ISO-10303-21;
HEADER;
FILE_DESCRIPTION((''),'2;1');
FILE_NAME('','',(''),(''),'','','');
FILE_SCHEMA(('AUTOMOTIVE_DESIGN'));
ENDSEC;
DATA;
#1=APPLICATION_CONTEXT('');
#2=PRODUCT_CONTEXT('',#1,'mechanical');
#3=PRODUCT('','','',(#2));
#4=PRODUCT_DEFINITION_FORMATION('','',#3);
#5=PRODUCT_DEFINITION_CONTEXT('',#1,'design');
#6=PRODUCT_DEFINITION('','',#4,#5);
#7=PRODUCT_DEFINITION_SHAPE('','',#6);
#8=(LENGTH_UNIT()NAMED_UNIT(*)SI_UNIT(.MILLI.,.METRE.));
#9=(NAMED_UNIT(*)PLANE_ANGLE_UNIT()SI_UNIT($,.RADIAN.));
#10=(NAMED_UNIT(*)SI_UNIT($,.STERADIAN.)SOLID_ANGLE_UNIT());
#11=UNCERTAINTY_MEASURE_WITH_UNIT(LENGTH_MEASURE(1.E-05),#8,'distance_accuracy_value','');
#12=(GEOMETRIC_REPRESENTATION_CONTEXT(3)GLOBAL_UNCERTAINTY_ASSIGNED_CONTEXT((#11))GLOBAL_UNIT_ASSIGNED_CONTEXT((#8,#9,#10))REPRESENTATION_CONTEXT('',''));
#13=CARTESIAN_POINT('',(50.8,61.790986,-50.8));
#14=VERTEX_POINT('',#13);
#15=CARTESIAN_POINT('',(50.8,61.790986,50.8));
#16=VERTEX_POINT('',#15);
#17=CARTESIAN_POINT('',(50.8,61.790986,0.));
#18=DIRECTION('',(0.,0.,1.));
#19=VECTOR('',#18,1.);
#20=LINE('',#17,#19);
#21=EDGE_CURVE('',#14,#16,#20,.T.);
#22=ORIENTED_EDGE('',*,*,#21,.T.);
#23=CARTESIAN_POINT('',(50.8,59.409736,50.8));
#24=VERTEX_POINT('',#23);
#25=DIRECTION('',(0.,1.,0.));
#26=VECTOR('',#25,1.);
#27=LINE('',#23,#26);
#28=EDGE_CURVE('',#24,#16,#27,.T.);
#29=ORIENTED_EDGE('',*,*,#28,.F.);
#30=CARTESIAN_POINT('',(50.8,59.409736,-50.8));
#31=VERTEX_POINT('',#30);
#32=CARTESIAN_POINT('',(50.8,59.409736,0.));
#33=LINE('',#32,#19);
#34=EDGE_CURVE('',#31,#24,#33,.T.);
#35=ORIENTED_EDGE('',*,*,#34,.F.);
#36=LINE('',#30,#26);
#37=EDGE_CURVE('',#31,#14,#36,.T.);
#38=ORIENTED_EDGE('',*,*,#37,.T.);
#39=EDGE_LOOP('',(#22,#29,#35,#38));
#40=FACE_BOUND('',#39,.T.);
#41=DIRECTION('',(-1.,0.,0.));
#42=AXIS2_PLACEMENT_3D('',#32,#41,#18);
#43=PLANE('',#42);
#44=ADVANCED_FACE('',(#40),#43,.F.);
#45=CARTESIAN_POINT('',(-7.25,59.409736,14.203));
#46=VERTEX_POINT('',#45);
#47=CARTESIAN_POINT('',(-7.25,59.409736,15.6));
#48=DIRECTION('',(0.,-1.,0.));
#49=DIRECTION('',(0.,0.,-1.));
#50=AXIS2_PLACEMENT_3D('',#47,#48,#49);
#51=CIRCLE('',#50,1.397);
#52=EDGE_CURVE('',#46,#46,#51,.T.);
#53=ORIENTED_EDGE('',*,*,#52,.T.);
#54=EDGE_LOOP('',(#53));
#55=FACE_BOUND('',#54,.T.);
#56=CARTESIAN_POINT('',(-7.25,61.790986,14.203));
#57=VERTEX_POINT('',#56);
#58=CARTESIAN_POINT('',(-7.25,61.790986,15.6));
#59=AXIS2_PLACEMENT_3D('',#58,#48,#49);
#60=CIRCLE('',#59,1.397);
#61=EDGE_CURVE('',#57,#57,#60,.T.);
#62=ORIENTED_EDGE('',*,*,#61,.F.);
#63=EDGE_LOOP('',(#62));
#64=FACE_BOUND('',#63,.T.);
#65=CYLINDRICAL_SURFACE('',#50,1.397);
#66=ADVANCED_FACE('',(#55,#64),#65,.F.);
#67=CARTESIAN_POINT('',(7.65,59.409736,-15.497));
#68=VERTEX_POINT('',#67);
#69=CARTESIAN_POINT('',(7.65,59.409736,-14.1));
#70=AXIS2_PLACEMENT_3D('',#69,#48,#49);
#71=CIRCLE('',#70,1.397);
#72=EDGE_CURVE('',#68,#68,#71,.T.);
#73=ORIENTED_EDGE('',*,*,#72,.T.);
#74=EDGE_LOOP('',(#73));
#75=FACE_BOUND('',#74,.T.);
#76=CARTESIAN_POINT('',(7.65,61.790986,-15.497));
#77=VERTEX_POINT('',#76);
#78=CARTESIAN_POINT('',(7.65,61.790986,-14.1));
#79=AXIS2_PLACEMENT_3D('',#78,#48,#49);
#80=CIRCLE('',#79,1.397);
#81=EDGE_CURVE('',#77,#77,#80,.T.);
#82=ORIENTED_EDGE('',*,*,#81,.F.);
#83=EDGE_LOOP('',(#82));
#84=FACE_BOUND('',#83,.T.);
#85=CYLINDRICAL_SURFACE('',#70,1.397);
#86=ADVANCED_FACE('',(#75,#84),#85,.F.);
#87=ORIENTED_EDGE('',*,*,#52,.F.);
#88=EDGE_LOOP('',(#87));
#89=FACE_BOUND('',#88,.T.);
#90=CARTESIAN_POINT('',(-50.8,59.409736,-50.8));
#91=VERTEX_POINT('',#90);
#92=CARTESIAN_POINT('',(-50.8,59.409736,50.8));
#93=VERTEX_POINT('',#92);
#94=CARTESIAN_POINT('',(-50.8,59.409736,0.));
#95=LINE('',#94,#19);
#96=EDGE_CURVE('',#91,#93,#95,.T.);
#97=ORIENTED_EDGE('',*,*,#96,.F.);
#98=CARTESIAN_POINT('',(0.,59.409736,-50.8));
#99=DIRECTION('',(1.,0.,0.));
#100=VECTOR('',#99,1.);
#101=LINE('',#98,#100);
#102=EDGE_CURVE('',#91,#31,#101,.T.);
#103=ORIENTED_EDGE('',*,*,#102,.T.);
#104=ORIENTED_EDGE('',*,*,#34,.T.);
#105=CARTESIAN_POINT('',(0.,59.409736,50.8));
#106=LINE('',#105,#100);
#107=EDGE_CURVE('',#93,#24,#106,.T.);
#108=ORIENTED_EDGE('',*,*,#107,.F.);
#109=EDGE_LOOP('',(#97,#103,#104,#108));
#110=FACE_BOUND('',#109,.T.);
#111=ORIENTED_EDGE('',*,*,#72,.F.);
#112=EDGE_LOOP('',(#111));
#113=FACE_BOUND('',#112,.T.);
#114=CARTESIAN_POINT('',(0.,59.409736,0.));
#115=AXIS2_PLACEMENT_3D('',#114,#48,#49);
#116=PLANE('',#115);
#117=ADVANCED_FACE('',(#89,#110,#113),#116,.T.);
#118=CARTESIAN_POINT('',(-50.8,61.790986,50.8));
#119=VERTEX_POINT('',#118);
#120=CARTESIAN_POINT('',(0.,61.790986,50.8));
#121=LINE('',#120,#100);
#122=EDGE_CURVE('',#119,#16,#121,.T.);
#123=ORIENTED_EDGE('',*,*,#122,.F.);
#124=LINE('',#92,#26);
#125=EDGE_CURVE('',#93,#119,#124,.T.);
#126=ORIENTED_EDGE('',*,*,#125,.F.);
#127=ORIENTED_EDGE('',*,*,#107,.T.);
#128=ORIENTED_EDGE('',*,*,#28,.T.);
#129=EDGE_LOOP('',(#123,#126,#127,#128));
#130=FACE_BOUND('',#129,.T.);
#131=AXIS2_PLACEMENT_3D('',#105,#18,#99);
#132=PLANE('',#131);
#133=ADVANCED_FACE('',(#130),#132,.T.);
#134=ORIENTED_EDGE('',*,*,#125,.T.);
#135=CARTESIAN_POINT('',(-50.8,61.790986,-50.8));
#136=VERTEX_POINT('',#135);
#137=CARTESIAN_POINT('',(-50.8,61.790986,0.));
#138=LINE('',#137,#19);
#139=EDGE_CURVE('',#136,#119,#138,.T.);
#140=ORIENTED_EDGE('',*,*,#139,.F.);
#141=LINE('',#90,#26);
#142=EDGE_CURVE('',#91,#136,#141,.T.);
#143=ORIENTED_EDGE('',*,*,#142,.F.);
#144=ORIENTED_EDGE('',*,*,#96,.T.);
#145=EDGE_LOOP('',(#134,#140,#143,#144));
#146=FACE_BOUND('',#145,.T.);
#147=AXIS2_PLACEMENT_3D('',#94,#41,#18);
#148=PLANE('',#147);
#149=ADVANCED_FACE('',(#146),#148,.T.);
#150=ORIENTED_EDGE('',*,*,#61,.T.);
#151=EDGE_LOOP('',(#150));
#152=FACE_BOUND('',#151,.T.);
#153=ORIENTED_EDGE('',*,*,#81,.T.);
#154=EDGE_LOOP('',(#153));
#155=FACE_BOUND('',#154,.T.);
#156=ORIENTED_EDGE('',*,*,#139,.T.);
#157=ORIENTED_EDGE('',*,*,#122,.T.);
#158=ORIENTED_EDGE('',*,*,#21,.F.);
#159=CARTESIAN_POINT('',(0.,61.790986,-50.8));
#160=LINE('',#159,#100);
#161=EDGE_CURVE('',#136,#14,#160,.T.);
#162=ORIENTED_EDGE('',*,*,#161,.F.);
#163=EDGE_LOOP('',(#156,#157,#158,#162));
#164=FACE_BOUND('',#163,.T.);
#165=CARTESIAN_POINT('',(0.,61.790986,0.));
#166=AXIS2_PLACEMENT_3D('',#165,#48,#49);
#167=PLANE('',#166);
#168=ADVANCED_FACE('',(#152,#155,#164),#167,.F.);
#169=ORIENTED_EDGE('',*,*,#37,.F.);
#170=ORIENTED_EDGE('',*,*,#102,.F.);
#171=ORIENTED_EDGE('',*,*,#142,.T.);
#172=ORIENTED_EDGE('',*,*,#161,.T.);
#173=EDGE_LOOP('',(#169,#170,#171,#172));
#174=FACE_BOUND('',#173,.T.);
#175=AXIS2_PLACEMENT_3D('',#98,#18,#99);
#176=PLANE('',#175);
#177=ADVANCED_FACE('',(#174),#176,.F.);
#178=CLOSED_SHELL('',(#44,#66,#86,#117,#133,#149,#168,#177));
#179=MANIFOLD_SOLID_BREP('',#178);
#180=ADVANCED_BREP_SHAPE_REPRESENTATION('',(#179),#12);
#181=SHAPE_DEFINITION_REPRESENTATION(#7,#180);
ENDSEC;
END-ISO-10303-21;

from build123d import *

# Parameters (mm, degrees)
SKETCH1_W             = 101.6
SKETCH1_H             = 101.6
BOSS_EXTRUDE1_DEPTH   = 2.38125
F_2_5MM_DOWEL_HOLE1_D = 2.794


with BuildPart() as part:
    # Sketch1 → Boss-Extrude1 (new body)
    with BuildSketch(Plane.XZ.offset(-61.790986141)):
        Rectangle(SKETCH1_W, SKETCH1_H)
    extrude(amount=BOSS_EXTRUDE1_DEPTH)

    # Ø2.5mm Dowel Hole1 (through all)
    with Locations(Plane(origin=(0, 59.409736141, 0), x_dir=(-1, 0, 0), z_dir=(0, -1, 0))):
        with Locations((7.25, -15.6), (-7.65, 14.1)):
            Hole(F_2_5MM_DOWEL_HOLE1_D / 2)


solid = part.part
